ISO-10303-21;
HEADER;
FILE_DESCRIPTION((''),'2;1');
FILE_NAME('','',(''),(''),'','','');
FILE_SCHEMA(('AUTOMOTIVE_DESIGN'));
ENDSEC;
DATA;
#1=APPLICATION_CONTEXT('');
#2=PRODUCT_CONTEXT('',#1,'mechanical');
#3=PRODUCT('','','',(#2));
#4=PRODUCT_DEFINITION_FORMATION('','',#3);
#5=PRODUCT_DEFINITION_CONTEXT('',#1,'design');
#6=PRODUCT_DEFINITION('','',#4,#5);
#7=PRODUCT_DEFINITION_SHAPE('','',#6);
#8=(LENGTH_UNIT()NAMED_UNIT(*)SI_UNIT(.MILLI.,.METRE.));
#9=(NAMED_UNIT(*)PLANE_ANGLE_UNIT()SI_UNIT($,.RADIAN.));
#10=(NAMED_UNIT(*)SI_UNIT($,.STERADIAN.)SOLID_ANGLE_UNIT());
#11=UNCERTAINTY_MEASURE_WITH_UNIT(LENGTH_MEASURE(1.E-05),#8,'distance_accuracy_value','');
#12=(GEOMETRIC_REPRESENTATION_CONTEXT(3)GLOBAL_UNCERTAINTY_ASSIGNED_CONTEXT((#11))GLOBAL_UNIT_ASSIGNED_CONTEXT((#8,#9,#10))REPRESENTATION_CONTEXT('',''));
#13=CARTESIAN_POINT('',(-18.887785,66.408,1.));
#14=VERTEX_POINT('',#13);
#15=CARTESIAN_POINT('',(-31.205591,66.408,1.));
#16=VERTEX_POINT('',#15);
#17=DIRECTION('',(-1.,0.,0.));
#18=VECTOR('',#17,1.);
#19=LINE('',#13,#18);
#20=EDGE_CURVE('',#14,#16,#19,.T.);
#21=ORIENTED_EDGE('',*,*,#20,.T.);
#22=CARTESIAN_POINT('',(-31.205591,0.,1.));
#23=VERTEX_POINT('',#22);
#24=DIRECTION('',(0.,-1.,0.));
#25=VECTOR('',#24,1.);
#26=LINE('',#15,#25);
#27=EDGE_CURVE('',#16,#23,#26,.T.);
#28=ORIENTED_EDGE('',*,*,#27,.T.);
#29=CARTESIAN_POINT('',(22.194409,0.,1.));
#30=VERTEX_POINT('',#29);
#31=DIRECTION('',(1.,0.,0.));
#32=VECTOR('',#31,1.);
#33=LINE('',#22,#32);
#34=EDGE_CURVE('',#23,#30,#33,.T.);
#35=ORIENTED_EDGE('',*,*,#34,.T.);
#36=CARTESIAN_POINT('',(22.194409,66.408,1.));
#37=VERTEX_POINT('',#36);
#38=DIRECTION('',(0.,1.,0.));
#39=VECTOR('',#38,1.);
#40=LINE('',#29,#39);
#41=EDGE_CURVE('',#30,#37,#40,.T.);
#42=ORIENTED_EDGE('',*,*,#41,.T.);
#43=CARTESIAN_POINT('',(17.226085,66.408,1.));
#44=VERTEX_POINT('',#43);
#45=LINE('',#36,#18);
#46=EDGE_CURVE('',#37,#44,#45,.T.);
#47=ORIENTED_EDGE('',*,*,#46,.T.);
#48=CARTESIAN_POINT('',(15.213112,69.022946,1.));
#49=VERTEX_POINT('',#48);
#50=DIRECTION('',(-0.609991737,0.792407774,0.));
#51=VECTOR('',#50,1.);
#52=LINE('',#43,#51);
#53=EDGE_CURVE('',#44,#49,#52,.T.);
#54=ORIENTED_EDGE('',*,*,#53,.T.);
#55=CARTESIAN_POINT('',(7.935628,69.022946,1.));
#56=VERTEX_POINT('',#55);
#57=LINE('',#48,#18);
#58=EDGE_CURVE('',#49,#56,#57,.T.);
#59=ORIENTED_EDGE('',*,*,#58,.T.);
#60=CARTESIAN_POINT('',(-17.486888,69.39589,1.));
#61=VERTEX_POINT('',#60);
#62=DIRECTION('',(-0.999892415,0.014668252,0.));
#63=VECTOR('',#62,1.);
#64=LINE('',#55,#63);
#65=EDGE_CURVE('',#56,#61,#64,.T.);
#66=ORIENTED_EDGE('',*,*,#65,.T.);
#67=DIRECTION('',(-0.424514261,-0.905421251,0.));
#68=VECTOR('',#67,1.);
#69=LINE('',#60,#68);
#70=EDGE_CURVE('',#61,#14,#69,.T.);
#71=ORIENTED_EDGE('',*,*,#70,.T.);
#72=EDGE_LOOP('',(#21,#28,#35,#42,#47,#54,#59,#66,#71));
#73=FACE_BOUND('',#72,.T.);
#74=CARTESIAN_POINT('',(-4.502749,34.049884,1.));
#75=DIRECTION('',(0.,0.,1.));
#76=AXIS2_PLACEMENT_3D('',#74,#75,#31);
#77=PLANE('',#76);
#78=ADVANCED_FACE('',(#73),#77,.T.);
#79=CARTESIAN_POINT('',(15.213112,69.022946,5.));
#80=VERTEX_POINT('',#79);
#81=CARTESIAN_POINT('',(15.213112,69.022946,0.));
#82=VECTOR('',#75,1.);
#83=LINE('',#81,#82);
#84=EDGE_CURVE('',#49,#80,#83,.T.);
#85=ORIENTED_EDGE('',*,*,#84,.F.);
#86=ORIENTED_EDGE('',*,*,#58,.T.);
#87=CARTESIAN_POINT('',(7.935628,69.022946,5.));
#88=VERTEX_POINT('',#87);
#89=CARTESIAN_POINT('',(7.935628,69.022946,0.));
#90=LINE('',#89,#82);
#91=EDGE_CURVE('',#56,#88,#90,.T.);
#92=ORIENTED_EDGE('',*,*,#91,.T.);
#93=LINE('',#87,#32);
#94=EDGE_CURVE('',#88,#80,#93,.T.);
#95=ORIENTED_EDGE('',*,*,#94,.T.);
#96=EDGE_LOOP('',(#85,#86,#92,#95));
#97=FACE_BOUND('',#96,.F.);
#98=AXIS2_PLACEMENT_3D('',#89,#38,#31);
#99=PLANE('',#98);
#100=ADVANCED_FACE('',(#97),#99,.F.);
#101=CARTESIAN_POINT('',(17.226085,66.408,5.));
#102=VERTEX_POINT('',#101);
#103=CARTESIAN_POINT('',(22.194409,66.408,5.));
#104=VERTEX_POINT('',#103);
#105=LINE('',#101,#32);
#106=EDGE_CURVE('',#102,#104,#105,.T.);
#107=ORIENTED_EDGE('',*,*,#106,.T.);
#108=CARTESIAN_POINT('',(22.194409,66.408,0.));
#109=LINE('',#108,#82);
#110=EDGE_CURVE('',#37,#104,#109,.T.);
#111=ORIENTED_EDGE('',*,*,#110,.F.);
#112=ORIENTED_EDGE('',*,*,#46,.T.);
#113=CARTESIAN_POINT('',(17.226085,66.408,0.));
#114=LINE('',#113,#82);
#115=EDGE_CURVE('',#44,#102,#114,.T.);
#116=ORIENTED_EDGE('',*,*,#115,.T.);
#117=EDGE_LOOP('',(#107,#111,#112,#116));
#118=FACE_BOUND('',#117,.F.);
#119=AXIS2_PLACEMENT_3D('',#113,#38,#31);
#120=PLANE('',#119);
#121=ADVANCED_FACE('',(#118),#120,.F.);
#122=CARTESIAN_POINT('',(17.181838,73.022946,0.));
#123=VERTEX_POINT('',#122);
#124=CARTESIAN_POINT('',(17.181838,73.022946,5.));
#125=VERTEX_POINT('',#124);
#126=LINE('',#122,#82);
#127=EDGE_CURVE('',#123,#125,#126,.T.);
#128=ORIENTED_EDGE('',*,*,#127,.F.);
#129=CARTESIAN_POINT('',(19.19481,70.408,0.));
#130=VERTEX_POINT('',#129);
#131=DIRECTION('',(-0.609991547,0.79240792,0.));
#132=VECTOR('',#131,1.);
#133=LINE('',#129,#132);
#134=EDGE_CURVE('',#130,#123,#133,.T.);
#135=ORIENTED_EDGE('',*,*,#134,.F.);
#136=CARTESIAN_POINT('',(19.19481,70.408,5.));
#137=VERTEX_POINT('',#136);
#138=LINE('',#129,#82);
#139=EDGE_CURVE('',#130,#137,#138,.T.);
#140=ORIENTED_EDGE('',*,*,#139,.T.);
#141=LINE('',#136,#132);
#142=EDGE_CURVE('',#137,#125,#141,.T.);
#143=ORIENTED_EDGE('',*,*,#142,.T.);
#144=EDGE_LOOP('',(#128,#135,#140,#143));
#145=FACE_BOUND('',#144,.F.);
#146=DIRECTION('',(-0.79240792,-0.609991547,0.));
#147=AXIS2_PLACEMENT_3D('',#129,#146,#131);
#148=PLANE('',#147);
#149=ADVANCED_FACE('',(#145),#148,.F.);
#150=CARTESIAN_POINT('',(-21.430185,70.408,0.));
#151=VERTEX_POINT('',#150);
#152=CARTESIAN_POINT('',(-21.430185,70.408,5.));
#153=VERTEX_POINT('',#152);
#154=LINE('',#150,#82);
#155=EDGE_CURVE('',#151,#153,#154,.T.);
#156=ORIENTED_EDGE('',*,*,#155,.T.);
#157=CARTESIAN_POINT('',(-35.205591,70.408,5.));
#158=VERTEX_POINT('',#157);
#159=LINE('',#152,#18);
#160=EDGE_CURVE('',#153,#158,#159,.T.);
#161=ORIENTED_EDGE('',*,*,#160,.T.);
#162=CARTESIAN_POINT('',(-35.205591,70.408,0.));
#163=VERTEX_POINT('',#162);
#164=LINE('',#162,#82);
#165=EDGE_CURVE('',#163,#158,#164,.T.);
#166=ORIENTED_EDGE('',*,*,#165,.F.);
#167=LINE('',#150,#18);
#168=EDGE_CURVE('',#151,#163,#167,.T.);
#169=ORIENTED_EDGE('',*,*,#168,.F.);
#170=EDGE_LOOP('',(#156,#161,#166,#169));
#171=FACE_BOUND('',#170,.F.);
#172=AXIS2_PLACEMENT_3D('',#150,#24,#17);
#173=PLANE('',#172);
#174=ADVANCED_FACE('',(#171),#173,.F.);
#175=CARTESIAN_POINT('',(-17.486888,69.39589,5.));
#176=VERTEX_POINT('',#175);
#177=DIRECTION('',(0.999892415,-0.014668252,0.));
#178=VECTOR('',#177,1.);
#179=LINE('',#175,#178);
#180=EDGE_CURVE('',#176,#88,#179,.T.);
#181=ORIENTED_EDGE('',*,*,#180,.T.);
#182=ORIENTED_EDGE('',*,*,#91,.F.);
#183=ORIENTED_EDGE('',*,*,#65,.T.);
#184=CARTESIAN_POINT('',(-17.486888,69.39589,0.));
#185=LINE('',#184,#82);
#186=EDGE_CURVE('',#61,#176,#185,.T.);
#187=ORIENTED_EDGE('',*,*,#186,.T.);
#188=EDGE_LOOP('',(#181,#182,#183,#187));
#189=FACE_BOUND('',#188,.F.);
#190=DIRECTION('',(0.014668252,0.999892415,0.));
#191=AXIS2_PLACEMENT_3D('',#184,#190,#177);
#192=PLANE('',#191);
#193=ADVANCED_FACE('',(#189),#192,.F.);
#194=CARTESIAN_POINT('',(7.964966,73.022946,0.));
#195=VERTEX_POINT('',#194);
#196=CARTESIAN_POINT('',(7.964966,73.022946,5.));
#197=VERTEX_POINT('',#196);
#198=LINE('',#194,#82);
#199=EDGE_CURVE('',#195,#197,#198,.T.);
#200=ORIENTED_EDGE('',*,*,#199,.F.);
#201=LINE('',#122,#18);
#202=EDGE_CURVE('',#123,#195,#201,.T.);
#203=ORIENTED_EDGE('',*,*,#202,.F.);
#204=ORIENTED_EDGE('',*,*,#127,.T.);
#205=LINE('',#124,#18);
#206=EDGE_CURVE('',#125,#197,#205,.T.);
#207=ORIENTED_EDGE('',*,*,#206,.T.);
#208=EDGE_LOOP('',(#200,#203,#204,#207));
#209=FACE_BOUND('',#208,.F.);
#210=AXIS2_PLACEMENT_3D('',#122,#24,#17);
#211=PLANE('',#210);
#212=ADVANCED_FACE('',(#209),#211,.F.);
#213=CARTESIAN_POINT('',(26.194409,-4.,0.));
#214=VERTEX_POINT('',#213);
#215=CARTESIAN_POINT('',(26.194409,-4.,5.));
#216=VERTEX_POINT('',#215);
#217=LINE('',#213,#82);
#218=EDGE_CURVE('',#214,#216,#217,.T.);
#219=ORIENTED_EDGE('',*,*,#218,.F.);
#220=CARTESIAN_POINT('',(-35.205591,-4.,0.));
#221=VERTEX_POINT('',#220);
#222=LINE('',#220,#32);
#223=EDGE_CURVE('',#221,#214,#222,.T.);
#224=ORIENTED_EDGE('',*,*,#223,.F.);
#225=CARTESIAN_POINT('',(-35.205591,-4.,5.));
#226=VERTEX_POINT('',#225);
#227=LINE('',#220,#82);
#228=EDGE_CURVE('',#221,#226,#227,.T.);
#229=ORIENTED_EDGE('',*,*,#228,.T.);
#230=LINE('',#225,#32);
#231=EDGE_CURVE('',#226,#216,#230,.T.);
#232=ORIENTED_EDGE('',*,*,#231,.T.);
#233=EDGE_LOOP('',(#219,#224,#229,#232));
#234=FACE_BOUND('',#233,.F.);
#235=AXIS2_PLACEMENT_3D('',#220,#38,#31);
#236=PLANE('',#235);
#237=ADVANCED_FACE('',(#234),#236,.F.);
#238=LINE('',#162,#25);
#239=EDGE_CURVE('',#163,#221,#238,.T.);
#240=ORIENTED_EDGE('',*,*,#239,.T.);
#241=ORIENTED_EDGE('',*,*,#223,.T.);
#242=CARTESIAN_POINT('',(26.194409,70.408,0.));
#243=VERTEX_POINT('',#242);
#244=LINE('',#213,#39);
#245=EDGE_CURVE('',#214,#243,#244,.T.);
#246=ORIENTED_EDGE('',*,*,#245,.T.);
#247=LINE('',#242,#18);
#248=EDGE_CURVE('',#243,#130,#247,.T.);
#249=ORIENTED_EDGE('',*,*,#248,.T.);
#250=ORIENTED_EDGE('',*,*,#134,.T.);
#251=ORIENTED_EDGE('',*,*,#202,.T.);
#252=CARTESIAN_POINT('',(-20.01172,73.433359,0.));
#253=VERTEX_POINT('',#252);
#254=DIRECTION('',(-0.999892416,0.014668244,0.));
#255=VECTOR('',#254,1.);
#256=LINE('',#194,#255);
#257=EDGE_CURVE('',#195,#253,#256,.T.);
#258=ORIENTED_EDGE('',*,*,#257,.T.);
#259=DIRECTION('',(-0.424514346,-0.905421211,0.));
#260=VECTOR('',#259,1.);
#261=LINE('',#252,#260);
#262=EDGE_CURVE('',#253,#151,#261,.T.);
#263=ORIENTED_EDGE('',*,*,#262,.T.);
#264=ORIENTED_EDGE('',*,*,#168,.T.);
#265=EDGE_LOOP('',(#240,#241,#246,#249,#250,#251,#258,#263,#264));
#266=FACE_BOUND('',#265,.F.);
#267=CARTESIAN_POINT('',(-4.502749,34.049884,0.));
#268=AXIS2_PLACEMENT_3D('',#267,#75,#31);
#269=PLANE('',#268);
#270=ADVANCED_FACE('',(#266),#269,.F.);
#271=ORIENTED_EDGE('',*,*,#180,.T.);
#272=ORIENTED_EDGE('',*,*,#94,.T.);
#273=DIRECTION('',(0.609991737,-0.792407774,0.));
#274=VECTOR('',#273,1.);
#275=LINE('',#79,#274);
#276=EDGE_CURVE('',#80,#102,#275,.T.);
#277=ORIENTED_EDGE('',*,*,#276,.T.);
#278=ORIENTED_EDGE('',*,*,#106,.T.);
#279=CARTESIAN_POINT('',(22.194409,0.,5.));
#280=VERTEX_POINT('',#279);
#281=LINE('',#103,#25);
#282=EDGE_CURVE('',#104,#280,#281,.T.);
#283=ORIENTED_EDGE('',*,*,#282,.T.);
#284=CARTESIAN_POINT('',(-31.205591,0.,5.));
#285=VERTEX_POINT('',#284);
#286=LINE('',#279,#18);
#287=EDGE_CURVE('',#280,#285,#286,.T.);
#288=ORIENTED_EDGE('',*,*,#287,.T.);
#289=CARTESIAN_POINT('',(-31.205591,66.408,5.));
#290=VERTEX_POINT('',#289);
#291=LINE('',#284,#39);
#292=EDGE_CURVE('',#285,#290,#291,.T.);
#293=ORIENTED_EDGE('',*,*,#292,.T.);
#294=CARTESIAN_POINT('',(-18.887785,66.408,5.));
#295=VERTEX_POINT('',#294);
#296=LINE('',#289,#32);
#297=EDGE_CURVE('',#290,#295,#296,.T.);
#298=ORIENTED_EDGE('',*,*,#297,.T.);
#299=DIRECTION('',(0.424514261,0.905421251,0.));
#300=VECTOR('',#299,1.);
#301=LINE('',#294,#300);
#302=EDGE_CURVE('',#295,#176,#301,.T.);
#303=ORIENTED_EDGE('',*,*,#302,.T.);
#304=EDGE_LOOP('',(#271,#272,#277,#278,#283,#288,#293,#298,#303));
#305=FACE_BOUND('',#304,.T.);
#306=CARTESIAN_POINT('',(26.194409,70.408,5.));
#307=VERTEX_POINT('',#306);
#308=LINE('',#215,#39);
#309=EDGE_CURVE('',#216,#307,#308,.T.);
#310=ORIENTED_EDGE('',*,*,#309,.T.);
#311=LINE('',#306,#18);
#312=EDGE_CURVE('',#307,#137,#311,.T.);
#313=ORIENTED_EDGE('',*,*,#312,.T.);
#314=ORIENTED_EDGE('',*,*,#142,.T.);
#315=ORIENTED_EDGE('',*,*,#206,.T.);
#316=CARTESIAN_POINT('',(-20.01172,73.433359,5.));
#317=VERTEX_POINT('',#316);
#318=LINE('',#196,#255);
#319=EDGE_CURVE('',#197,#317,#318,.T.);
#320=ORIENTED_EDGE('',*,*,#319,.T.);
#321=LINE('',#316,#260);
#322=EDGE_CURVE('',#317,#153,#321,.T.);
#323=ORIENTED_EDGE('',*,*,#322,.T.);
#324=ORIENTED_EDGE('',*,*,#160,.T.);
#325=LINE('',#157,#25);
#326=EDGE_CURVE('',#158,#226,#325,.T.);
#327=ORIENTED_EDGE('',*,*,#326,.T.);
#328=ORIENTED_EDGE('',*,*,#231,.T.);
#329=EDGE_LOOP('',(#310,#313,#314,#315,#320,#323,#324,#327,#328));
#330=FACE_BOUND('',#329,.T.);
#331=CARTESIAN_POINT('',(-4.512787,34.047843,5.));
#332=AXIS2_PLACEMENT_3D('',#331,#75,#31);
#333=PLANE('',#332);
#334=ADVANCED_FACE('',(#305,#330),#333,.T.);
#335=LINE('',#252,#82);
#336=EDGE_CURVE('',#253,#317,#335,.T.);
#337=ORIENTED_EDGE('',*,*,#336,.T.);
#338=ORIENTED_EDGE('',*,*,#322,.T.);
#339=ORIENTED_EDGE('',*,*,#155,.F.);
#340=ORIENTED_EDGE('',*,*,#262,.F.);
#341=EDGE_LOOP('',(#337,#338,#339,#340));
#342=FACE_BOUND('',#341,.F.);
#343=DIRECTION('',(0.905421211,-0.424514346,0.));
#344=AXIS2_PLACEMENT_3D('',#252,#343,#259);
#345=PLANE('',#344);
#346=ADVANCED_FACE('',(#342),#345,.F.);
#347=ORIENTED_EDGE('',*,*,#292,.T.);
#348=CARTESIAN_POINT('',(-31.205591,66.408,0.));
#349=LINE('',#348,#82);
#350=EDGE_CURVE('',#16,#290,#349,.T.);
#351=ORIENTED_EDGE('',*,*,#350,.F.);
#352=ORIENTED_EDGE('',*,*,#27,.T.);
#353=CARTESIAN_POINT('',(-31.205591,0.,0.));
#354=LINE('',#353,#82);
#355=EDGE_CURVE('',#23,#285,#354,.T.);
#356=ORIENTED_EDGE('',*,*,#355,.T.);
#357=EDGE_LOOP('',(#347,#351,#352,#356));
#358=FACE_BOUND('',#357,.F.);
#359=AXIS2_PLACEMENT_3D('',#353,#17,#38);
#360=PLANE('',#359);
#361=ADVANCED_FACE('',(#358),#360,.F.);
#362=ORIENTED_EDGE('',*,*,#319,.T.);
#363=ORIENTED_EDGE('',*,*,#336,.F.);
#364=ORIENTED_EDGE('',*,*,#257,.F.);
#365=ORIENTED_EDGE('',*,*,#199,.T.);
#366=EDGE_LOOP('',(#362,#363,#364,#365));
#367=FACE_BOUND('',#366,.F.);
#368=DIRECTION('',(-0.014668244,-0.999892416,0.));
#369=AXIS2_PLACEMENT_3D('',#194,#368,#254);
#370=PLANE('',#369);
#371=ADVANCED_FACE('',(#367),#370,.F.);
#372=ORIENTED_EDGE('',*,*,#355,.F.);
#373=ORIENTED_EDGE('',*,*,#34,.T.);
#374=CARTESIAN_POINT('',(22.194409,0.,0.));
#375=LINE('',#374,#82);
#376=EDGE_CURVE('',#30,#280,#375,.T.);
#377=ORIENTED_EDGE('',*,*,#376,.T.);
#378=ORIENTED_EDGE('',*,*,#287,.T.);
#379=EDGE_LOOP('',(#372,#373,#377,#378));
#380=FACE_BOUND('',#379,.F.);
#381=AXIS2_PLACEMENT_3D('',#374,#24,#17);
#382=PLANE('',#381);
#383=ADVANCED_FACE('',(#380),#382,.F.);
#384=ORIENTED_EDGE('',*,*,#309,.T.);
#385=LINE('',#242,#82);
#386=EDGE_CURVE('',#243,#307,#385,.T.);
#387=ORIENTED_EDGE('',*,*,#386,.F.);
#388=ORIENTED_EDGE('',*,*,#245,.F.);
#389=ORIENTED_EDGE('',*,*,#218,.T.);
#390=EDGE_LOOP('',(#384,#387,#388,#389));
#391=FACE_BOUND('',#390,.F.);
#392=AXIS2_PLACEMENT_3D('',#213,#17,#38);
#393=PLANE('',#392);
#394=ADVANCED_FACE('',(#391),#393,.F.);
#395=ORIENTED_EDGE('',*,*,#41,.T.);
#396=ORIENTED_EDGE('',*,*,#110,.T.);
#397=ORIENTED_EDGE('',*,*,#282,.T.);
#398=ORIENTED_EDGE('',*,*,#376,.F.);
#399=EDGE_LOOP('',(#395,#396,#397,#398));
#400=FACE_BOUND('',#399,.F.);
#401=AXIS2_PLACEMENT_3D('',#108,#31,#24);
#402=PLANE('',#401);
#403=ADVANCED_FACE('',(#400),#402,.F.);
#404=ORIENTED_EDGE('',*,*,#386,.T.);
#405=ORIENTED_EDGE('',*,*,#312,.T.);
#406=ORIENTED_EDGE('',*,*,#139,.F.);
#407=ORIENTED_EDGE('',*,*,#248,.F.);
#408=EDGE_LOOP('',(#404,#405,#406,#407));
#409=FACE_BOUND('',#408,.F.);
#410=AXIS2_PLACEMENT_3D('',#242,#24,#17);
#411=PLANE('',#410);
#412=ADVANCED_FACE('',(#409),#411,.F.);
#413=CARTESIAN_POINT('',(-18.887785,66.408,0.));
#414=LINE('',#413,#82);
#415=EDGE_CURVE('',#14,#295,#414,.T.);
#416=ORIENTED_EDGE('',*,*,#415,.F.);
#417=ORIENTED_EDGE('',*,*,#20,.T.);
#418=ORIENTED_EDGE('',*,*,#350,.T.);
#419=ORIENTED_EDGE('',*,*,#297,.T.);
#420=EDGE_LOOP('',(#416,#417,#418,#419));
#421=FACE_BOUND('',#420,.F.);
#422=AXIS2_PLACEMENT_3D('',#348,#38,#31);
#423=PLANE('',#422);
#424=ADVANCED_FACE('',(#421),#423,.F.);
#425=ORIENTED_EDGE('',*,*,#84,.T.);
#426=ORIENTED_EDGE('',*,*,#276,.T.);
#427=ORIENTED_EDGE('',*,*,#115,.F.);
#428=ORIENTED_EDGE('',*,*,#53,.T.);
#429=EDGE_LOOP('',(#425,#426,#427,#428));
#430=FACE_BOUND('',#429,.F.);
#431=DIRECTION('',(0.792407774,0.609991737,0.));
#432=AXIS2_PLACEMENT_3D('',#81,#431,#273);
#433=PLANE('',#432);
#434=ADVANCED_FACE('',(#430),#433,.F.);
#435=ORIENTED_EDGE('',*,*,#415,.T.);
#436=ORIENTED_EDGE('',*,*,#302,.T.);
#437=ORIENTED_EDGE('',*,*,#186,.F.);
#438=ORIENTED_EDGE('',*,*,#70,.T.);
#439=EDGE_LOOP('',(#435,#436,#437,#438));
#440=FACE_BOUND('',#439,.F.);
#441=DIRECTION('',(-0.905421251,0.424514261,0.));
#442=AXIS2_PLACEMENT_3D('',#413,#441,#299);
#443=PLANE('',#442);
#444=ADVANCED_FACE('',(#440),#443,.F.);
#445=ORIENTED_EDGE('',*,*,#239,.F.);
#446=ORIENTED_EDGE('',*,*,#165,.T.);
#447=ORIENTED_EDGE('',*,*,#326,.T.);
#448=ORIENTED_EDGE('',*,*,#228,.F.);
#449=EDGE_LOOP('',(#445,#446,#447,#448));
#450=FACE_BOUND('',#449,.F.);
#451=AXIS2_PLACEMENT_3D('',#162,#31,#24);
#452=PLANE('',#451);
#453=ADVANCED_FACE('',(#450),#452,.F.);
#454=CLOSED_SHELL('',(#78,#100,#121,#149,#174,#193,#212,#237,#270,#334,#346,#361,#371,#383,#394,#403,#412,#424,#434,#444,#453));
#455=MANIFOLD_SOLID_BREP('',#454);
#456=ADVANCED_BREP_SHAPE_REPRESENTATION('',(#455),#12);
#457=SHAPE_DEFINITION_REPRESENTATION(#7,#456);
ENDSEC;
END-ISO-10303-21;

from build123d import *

# Parameters (mm, degrees)
F1_DEPTH = 5
F2_DEPTH = 1


with BuildPart() as f1:
    # F0 (on Top) → F1 (new body)
    with BuildSketch(Plane.XY):
        Polygon((19.19481, 70.408), (17.181838, 73.022946), (7.964966, 73.022946), (-20.01172, 73.433359), (-21.430185, 70.408), (-31.604451, 70.408), (-35.205591, 70.408), (-35.205591, -4), (26.194409, -4), (26.194409, 70.408), align=None)
        Polygon((22.194409, 0), (-31.205591, 0), (-31.205591, 66.408), (-18.887785, 66.408), (-17.486888, 69.39589), (7.935628, 69.022946), (15.213112, 69.022946), (17.226085, 66.408), (22.194409, 66.408), align=None, mode=Mode.SUBTRACT)
    extrude(amount=F1_DEPTH)

    # F0 (on Top) → F2 (join)
    with BuildSketch(Plane.XY):
        Polygon((-31.205591, 66.408), (-31.205591, 0), (22.194409, 0), (22.194409, 66.408), (17.226085, 66.408), (15.213112, 69.022946), (7.935628, 69.022946), (-17.486888, 69.39589), (-18.887785, 66.408), align=None)
    extrude(amount=F2_DEPTH)


solid = f1.part
